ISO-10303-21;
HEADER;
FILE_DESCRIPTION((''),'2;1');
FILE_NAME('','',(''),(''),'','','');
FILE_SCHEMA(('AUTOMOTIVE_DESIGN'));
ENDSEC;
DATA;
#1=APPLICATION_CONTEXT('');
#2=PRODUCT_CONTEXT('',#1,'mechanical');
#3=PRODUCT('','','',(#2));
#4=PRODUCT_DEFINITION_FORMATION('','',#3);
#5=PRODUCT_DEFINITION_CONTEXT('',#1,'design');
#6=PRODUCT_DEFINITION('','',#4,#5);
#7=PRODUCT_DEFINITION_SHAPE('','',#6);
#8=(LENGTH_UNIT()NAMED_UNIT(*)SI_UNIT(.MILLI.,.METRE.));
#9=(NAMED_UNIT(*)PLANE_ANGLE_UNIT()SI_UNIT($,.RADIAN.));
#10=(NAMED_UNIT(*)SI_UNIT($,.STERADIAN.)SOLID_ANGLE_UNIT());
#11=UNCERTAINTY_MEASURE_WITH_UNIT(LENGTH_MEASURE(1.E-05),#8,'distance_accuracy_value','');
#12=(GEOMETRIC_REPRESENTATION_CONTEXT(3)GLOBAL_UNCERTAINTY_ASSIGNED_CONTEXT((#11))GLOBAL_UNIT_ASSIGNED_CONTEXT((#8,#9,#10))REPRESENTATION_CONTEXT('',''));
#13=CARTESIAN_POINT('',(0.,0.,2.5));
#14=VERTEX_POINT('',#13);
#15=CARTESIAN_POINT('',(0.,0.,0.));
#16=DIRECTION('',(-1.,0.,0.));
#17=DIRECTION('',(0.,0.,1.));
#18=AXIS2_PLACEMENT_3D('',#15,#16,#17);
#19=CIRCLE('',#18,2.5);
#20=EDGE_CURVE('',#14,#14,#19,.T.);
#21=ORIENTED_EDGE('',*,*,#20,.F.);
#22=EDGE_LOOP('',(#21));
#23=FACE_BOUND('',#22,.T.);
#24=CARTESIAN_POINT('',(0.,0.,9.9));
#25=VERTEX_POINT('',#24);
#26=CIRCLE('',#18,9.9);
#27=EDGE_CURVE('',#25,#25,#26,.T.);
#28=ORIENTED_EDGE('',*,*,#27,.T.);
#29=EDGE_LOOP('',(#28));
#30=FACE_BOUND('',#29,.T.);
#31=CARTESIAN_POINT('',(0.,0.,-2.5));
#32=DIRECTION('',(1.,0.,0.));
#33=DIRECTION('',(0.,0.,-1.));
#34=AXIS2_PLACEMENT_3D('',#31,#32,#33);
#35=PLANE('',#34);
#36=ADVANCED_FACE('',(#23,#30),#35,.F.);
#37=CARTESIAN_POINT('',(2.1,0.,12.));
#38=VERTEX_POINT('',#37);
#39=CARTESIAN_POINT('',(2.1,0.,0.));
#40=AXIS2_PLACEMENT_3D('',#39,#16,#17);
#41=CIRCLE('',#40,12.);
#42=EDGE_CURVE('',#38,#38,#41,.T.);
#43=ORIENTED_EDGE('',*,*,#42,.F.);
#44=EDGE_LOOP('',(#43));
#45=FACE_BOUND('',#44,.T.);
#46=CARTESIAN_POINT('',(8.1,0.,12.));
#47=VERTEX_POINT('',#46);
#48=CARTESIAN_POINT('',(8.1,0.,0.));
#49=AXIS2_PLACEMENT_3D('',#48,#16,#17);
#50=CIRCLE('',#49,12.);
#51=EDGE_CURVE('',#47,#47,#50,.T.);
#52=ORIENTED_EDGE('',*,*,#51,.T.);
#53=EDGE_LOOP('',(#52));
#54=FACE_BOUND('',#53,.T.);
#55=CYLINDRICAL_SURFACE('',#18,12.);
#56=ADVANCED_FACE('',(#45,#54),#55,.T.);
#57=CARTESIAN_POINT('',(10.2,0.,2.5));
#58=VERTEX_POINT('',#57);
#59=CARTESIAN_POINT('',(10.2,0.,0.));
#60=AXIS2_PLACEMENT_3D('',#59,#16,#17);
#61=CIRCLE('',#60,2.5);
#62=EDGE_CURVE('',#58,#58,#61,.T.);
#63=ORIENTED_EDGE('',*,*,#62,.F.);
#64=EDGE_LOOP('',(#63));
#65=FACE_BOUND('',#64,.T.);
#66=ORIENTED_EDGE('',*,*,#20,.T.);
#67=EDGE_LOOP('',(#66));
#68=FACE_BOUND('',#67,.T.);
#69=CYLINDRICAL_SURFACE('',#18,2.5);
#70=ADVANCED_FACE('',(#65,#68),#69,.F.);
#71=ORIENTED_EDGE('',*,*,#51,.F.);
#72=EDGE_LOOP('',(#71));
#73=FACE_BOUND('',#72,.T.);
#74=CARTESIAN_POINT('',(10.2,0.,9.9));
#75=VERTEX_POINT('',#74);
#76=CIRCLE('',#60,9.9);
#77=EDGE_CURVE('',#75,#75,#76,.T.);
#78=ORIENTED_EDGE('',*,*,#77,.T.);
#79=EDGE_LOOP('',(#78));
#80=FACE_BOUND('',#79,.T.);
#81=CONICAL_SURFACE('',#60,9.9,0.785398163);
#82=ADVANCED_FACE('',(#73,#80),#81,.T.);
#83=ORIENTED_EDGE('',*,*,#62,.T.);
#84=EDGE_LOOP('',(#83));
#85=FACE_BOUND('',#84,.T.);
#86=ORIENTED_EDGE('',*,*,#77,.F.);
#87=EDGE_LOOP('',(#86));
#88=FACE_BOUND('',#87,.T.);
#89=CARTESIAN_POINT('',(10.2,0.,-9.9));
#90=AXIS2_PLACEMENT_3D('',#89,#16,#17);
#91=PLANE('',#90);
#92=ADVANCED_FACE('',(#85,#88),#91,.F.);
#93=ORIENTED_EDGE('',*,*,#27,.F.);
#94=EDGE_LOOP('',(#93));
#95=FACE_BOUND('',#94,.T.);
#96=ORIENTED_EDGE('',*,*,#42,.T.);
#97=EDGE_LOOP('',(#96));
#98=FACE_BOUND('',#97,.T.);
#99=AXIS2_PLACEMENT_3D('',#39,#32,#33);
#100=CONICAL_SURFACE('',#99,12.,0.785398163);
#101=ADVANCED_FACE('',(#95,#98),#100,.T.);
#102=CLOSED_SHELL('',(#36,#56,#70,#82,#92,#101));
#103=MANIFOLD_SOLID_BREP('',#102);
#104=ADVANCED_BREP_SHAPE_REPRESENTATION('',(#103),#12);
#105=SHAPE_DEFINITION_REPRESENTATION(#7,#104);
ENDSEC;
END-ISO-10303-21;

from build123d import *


with BuildPart() as part:
    # Sketch1 → Revolve1 (revolve)
    with BuildSketch(Plane(origin=(0, 0, 0), x_dir=(1, 0, 0), z_dir=(0, 1, 0)), mode=Mode.PRIVATE) as revolve1_sk:
        Polygon((0, 2.5), (0, 9.9), (2.1, 12), (8.1, 12), (10.2, 9.9), (10.2, 2.5), align=None)
    revolve(revolve1_sk.sketch.rotate(Axis((0, 0, 0), (1, 0, 0)), 180), axis=Axis((0, 0, 0), (1, 0, 0)))


solid = part.part
